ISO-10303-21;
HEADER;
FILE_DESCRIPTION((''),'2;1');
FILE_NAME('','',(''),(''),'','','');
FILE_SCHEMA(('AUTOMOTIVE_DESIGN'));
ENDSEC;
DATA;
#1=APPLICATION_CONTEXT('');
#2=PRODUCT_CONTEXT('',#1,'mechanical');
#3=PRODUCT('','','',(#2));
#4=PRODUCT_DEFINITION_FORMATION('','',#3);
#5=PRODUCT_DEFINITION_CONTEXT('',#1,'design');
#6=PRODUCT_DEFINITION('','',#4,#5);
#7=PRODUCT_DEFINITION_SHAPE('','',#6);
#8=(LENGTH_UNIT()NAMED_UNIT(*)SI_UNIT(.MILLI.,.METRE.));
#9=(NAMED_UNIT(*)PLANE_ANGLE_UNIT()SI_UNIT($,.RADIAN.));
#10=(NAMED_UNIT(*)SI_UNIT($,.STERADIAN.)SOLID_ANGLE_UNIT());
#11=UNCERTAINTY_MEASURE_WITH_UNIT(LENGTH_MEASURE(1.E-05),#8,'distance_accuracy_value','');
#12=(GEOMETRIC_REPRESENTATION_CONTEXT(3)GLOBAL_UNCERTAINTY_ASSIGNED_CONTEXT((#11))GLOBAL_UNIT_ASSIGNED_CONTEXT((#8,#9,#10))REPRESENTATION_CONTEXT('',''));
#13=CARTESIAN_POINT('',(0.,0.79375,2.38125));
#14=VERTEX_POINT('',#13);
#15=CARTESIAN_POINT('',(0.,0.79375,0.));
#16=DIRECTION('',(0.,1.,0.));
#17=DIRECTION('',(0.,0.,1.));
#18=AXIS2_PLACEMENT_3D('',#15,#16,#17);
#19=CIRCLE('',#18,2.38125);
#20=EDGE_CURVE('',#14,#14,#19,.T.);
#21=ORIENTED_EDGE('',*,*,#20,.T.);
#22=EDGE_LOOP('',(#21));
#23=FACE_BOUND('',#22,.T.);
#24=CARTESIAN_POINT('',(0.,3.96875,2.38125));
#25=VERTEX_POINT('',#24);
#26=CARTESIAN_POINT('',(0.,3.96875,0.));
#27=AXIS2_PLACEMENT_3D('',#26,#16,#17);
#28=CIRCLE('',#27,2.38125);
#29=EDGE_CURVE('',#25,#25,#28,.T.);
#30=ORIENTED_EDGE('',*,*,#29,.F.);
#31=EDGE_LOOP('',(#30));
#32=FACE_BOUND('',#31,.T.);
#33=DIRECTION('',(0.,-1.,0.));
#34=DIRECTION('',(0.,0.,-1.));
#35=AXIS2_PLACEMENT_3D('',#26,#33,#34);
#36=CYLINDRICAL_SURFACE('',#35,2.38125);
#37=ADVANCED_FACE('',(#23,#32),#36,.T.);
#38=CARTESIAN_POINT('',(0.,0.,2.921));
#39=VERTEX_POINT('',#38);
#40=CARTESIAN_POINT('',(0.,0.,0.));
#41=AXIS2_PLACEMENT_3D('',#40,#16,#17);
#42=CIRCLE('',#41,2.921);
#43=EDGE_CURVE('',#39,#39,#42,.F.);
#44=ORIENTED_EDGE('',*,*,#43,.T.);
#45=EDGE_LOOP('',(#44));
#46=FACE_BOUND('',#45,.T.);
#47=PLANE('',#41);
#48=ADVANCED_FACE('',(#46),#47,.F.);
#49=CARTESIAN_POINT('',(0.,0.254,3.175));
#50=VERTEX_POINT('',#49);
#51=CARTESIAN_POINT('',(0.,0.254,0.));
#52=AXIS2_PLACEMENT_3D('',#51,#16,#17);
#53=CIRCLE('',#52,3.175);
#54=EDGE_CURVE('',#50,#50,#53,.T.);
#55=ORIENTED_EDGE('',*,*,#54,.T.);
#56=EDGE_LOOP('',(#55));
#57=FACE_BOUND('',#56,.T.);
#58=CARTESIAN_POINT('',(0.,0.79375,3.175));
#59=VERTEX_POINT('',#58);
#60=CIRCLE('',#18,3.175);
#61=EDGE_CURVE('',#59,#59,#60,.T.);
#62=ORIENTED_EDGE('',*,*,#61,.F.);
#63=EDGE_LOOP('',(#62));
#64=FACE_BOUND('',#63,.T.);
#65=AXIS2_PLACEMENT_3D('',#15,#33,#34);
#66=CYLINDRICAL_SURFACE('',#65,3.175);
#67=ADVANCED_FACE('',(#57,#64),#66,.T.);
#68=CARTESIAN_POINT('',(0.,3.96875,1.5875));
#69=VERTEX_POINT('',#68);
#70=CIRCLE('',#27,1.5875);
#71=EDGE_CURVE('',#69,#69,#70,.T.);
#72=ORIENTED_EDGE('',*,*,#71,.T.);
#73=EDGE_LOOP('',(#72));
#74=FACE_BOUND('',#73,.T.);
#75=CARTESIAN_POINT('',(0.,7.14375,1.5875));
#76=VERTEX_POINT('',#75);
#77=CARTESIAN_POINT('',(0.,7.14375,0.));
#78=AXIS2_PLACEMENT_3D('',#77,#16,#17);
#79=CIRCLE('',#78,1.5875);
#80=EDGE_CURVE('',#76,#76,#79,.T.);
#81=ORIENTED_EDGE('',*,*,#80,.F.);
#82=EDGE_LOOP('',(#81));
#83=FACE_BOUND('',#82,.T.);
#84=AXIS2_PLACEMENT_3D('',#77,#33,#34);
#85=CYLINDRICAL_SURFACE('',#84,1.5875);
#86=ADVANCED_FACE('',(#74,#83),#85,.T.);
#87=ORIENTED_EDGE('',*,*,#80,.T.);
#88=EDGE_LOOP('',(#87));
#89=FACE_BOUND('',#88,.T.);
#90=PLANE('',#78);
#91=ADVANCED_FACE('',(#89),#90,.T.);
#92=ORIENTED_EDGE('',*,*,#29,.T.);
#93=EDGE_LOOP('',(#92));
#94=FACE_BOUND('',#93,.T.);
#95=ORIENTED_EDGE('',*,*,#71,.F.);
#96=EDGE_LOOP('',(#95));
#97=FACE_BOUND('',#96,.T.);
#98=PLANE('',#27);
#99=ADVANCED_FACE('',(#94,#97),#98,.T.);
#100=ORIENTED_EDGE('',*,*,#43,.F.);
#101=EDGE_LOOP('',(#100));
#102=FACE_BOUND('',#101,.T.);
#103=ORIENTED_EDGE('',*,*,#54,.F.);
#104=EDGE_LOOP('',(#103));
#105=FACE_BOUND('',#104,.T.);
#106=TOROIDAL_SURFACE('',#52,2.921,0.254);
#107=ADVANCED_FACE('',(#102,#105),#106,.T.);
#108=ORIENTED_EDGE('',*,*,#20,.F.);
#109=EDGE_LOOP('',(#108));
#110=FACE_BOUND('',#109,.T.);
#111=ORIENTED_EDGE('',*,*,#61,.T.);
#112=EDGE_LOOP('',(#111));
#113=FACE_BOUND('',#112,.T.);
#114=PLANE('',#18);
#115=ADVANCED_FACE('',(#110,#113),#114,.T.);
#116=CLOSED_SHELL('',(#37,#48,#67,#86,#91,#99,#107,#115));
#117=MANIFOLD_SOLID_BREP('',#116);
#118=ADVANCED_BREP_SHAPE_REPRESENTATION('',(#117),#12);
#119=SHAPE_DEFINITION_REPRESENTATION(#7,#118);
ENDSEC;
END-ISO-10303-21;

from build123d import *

# Parameters (mm, degrees)
SKETCH1_R           = 3.175
BOSS_EXTRUDE1_DEPTH = 0.79375
SKETCH2_R           = 2.38125
BOSS_EXTRUDE2_DEPTH = 3.175
SKETCH3_R           = 1.5875
BOSS_EXTRUDE3_DEPTH = 3.175
FILLET1_R           = 0.254


with BuildPart() as part:
    # Sketch1 → Boss-Extrude1 (new body)
    with BuildSketch(Plane(origin=(0, 0, 0), x_dir=(1, 0, 0), z_dir=(0, 1, 0))):
        Circle(SKETCH1_R)
    extrude(amount=BOSS_EXTRUDE1_DEPTH)

    # Sketch2 → Boss-Extrude2 (add)
    with BuildSketch(Plane(origin=(0, 0.79375, 0), x_dir=(1, 0, 0), z_dir=(0, 1, 0))):
        Circle(SKETCH2_R)
    extrude(amount=BOSS_EXTRUDE2_DEPTH)

    # Sketch3 → Boss-Extrude3 (add)
    with BuildSketch(Plane(origin=(0, 3.96875, 0), x_dir=(1, 0, 0), z_dir=(0, 1, 0))):
        Circle(SKETCH3_R)
    extrude(amount=BOSS_EXTRUDE3_DEPTH)

    # Fillet1
    fillet1_edges = [part.edges().sort_by_distance(p)[0] for p in [
        (-3.175, 0, 0),
    ]]
    fillet(fillet1_edges, radius=FILLET1_R)


solid = part.part
